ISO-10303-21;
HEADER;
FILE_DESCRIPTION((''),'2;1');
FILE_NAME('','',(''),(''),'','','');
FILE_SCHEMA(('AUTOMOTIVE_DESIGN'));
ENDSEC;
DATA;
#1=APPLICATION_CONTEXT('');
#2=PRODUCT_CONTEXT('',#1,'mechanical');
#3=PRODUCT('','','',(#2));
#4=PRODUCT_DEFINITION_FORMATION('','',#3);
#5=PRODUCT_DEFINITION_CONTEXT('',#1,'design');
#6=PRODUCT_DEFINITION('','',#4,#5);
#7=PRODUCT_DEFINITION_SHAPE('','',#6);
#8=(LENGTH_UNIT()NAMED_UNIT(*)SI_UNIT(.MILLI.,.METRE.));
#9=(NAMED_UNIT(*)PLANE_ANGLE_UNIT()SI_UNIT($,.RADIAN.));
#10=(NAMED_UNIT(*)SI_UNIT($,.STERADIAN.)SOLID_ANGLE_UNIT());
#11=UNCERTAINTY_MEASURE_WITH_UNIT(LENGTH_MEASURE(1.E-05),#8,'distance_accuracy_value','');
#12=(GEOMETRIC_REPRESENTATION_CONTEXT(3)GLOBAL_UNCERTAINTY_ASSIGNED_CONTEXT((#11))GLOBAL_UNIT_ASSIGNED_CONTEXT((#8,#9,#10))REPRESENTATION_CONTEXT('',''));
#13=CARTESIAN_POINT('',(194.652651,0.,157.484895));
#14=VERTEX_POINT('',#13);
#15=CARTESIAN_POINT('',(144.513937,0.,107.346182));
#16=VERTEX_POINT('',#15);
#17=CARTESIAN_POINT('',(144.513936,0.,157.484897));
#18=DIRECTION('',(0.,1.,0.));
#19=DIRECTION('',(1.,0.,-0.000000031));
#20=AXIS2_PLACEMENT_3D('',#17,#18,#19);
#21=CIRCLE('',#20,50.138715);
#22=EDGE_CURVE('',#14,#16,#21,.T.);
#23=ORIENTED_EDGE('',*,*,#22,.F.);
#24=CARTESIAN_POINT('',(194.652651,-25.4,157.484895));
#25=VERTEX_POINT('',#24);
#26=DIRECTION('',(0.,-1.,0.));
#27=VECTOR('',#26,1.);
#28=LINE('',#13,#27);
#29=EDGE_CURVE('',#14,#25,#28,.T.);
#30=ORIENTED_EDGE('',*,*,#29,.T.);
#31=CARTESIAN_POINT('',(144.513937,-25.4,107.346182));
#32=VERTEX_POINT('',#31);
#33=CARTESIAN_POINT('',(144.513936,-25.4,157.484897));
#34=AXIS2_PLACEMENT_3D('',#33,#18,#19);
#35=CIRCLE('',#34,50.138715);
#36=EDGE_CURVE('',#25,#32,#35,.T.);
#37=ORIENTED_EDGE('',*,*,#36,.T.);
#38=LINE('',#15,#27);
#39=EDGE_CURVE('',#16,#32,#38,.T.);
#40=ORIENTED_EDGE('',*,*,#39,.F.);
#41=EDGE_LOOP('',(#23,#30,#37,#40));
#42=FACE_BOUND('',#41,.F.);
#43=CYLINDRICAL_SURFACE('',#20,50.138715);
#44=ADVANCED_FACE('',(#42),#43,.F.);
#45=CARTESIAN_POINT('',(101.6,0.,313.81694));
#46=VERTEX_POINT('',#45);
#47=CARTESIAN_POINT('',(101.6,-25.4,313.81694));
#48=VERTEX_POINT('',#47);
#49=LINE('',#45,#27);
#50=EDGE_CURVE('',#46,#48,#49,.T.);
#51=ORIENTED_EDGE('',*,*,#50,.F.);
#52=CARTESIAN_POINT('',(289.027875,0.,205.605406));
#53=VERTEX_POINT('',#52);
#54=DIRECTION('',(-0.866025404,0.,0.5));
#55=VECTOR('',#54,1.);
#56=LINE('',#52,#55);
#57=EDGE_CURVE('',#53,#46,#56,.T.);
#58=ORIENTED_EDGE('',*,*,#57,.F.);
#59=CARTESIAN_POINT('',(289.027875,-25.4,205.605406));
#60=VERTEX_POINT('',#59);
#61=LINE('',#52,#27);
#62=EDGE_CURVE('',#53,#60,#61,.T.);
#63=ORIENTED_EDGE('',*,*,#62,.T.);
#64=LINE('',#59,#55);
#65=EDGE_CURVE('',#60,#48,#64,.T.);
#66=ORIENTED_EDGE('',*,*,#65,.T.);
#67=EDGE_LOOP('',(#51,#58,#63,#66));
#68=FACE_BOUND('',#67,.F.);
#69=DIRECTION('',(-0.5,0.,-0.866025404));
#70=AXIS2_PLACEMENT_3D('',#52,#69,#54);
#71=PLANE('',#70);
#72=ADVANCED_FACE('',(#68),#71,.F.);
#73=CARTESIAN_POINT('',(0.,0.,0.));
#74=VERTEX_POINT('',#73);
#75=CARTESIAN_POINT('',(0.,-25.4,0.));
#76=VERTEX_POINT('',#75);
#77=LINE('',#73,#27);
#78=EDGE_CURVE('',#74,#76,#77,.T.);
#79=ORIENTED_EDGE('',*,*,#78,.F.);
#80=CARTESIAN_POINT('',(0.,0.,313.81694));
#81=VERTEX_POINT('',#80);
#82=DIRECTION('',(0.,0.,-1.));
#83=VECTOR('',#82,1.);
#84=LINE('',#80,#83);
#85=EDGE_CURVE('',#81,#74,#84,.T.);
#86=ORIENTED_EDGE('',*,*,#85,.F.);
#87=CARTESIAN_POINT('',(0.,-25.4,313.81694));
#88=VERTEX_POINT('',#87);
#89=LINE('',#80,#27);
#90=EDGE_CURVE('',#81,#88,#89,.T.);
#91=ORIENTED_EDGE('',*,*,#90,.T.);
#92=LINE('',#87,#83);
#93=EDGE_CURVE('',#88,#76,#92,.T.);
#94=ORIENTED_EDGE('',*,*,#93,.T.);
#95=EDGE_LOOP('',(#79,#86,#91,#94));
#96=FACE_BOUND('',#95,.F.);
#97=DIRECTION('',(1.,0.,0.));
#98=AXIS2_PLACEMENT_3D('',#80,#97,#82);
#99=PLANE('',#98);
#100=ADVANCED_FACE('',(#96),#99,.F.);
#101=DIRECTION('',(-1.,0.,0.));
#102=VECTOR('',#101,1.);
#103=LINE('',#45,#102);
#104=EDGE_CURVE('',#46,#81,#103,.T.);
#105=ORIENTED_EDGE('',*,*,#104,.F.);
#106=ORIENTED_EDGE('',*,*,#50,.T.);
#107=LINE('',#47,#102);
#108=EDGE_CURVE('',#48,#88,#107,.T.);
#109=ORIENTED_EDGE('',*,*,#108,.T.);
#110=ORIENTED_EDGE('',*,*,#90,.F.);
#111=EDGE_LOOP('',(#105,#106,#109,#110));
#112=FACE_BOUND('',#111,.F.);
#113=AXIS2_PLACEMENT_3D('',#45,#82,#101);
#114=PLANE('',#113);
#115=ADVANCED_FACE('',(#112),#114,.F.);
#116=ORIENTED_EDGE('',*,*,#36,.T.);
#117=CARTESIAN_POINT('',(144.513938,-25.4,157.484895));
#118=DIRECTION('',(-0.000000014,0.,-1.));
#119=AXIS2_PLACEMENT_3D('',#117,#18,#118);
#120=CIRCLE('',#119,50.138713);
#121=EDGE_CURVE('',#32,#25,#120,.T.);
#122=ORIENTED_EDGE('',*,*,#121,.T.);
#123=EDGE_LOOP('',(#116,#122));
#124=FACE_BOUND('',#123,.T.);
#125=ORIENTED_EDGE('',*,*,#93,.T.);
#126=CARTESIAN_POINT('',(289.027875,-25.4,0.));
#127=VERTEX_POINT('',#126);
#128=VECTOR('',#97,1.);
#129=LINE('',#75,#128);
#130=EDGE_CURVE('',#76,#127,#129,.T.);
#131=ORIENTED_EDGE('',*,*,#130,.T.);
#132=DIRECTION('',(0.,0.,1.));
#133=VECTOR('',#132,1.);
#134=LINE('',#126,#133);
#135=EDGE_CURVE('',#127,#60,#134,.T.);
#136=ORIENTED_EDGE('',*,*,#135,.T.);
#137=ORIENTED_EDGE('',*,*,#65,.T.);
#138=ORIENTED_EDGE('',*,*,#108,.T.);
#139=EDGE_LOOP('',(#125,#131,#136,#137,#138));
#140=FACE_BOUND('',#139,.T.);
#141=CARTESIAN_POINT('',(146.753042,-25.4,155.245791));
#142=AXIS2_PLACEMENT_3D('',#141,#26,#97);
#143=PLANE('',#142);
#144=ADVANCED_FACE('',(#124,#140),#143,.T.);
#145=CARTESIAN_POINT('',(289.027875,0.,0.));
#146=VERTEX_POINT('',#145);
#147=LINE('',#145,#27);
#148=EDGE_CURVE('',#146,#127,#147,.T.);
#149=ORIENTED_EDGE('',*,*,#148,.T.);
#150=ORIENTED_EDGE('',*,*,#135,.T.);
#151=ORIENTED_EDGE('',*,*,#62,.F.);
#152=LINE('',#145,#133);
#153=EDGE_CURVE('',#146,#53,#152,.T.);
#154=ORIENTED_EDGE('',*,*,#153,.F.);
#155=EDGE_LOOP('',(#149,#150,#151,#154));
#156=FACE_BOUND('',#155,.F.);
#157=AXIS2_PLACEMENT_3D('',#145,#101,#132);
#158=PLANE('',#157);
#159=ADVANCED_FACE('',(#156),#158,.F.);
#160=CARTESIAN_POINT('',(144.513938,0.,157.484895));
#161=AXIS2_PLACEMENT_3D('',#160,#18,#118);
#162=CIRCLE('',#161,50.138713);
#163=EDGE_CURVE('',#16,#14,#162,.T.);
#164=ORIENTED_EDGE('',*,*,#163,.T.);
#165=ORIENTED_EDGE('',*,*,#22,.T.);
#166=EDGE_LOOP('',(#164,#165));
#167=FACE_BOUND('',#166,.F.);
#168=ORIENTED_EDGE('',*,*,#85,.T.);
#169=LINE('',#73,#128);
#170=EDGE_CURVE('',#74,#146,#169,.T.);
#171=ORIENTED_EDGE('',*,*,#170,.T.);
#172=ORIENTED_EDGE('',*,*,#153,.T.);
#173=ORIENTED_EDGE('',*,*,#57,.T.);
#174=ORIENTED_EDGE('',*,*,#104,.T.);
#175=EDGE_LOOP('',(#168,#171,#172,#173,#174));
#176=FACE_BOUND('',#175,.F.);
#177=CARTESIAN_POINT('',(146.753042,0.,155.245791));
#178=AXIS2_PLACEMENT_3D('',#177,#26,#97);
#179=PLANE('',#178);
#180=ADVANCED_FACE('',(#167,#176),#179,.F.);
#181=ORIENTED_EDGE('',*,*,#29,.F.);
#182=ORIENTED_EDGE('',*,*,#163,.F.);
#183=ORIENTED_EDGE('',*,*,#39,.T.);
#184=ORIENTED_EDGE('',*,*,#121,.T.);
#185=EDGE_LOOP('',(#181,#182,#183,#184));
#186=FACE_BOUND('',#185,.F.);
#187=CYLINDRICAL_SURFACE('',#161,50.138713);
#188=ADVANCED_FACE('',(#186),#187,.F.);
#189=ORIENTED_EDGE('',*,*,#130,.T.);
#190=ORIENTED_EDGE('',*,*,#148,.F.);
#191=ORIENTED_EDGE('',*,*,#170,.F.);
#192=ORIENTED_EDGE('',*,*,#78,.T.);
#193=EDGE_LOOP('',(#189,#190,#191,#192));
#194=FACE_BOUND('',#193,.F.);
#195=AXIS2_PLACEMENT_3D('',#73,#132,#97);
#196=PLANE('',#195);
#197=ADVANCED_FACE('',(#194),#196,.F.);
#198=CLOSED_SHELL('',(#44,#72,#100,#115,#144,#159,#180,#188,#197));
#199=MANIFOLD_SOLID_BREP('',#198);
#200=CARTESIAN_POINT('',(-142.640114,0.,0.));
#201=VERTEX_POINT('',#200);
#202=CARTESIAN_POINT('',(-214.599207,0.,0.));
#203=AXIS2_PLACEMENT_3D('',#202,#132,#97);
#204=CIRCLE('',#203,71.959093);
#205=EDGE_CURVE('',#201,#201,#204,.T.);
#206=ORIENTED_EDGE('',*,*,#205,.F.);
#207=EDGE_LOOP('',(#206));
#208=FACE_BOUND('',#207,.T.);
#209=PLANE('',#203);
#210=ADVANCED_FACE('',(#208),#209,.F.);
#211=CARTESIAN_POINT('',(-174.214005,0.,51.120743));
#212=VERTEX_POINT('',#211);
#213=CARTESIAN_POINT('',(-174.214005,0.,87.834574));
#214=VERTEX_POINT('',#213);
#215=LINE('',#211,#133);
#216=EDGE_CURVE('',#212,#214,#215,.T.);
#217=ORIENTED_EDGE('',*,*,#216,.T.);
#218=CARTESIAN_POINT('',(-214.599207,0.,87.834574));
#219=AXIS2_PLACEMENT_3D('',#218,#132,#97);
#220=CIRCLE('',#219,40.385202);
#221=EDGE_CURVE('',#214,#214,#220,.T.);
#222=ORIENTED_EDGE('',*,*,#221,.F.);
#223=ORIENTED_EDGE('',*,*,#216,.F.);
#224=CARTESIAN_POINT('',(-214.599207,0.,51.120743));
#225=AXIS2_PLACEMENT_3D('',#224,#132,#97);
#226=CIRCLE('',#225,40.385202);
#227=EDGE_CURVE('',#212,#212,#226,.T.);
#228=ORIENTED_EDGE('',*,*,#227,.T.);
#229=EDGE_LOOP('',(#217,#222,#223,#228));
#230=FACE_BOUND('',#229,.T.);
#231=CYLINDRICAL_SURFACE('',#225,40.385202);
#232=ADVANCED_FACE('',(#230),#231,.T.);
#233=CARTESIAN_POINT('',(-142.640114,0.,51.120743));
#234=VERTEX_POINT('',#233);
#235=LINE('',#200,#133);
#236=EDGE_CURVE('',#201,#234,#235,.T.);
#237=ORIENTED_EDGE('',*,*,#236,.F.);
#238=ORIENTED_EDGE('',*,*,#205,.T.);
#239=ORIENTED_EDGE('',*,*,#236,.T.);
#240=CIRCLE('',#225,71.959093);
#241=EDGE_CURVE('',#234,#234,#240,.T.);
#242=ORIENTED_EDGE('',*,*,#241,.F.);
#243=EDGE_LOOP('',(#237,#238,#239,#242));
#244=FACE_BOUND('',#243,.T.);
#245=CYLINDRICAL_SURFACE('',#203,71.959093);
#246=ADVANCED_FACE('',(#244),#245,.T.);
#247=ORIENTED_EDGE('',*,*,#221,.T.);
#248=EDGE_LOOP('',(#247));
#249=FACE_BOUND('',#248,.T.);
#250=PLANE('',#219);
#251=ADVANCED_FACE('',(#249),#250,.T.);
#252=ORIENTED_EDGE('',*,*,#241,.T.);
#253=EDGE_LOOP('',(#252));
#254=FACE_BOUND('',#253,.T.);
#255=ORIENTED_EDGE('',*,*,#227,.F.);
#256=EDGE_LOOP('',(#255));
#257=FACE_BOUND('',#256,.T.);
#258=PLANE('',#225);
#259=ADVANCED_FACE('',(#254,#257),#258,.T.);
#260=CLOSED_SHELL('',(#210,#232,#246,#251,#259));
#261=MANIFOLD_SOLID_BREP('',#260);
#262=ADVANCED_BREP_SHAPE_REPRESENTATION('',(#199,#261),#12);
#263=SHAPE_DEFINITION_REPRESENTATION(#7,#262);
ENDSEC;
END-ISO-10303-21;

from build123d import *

# Parameters (mm, degrees)
F1_DEPTH = 25.4


with BuildPart() as f1:
    # F0 (on Front) → F1 (new body)
    with BuildSketch(Plane.XZ):
        with BuildLine():
            ThreePointArc((194.652651, 157.484895), (109.060513, 192.938319), (144.513937, 107.346182))
            ThreePointArc((144.513937, 107.346182), (179.967361, 122.031471), (194.652651, 157.484895))
        make_face()
        Polygon((0, 313.81694), (0, 0), (144.513937, 0), (289.027875, 0), (289.027875, 205.605406), (101.6, 313.81694), align=None)
        with BuildLine():
            ThreePointArc((194.652651, 157.484895), (179.967361, 122.031471), (144.513937, 107.346182))
            ThreePointArc((144.513937, 107.346182), (109.060513, 192.938319), (194.652651, 157.484895))
        make_face(mode=Mode.SUBTRACT)
    extrude(amount=F1_DEPTH)


with BuildPart() as f3:
    # F2 (on Front) → F3 (revolve)
    with BuildSketch(Plane.XZ):
        Polygon((-214.599207, 87.834574), (-214.599207, 0), (-142.640114, 0), (-142.640114, 51.120743), (-174.214005, 51.120743), (-174.214005, 87.834574), align=None)
    revolve(axis=Axis((-214.599207, 0, 43.917287), (0, 0, 1)))


solid = Compound([f1.part, f3.part])
